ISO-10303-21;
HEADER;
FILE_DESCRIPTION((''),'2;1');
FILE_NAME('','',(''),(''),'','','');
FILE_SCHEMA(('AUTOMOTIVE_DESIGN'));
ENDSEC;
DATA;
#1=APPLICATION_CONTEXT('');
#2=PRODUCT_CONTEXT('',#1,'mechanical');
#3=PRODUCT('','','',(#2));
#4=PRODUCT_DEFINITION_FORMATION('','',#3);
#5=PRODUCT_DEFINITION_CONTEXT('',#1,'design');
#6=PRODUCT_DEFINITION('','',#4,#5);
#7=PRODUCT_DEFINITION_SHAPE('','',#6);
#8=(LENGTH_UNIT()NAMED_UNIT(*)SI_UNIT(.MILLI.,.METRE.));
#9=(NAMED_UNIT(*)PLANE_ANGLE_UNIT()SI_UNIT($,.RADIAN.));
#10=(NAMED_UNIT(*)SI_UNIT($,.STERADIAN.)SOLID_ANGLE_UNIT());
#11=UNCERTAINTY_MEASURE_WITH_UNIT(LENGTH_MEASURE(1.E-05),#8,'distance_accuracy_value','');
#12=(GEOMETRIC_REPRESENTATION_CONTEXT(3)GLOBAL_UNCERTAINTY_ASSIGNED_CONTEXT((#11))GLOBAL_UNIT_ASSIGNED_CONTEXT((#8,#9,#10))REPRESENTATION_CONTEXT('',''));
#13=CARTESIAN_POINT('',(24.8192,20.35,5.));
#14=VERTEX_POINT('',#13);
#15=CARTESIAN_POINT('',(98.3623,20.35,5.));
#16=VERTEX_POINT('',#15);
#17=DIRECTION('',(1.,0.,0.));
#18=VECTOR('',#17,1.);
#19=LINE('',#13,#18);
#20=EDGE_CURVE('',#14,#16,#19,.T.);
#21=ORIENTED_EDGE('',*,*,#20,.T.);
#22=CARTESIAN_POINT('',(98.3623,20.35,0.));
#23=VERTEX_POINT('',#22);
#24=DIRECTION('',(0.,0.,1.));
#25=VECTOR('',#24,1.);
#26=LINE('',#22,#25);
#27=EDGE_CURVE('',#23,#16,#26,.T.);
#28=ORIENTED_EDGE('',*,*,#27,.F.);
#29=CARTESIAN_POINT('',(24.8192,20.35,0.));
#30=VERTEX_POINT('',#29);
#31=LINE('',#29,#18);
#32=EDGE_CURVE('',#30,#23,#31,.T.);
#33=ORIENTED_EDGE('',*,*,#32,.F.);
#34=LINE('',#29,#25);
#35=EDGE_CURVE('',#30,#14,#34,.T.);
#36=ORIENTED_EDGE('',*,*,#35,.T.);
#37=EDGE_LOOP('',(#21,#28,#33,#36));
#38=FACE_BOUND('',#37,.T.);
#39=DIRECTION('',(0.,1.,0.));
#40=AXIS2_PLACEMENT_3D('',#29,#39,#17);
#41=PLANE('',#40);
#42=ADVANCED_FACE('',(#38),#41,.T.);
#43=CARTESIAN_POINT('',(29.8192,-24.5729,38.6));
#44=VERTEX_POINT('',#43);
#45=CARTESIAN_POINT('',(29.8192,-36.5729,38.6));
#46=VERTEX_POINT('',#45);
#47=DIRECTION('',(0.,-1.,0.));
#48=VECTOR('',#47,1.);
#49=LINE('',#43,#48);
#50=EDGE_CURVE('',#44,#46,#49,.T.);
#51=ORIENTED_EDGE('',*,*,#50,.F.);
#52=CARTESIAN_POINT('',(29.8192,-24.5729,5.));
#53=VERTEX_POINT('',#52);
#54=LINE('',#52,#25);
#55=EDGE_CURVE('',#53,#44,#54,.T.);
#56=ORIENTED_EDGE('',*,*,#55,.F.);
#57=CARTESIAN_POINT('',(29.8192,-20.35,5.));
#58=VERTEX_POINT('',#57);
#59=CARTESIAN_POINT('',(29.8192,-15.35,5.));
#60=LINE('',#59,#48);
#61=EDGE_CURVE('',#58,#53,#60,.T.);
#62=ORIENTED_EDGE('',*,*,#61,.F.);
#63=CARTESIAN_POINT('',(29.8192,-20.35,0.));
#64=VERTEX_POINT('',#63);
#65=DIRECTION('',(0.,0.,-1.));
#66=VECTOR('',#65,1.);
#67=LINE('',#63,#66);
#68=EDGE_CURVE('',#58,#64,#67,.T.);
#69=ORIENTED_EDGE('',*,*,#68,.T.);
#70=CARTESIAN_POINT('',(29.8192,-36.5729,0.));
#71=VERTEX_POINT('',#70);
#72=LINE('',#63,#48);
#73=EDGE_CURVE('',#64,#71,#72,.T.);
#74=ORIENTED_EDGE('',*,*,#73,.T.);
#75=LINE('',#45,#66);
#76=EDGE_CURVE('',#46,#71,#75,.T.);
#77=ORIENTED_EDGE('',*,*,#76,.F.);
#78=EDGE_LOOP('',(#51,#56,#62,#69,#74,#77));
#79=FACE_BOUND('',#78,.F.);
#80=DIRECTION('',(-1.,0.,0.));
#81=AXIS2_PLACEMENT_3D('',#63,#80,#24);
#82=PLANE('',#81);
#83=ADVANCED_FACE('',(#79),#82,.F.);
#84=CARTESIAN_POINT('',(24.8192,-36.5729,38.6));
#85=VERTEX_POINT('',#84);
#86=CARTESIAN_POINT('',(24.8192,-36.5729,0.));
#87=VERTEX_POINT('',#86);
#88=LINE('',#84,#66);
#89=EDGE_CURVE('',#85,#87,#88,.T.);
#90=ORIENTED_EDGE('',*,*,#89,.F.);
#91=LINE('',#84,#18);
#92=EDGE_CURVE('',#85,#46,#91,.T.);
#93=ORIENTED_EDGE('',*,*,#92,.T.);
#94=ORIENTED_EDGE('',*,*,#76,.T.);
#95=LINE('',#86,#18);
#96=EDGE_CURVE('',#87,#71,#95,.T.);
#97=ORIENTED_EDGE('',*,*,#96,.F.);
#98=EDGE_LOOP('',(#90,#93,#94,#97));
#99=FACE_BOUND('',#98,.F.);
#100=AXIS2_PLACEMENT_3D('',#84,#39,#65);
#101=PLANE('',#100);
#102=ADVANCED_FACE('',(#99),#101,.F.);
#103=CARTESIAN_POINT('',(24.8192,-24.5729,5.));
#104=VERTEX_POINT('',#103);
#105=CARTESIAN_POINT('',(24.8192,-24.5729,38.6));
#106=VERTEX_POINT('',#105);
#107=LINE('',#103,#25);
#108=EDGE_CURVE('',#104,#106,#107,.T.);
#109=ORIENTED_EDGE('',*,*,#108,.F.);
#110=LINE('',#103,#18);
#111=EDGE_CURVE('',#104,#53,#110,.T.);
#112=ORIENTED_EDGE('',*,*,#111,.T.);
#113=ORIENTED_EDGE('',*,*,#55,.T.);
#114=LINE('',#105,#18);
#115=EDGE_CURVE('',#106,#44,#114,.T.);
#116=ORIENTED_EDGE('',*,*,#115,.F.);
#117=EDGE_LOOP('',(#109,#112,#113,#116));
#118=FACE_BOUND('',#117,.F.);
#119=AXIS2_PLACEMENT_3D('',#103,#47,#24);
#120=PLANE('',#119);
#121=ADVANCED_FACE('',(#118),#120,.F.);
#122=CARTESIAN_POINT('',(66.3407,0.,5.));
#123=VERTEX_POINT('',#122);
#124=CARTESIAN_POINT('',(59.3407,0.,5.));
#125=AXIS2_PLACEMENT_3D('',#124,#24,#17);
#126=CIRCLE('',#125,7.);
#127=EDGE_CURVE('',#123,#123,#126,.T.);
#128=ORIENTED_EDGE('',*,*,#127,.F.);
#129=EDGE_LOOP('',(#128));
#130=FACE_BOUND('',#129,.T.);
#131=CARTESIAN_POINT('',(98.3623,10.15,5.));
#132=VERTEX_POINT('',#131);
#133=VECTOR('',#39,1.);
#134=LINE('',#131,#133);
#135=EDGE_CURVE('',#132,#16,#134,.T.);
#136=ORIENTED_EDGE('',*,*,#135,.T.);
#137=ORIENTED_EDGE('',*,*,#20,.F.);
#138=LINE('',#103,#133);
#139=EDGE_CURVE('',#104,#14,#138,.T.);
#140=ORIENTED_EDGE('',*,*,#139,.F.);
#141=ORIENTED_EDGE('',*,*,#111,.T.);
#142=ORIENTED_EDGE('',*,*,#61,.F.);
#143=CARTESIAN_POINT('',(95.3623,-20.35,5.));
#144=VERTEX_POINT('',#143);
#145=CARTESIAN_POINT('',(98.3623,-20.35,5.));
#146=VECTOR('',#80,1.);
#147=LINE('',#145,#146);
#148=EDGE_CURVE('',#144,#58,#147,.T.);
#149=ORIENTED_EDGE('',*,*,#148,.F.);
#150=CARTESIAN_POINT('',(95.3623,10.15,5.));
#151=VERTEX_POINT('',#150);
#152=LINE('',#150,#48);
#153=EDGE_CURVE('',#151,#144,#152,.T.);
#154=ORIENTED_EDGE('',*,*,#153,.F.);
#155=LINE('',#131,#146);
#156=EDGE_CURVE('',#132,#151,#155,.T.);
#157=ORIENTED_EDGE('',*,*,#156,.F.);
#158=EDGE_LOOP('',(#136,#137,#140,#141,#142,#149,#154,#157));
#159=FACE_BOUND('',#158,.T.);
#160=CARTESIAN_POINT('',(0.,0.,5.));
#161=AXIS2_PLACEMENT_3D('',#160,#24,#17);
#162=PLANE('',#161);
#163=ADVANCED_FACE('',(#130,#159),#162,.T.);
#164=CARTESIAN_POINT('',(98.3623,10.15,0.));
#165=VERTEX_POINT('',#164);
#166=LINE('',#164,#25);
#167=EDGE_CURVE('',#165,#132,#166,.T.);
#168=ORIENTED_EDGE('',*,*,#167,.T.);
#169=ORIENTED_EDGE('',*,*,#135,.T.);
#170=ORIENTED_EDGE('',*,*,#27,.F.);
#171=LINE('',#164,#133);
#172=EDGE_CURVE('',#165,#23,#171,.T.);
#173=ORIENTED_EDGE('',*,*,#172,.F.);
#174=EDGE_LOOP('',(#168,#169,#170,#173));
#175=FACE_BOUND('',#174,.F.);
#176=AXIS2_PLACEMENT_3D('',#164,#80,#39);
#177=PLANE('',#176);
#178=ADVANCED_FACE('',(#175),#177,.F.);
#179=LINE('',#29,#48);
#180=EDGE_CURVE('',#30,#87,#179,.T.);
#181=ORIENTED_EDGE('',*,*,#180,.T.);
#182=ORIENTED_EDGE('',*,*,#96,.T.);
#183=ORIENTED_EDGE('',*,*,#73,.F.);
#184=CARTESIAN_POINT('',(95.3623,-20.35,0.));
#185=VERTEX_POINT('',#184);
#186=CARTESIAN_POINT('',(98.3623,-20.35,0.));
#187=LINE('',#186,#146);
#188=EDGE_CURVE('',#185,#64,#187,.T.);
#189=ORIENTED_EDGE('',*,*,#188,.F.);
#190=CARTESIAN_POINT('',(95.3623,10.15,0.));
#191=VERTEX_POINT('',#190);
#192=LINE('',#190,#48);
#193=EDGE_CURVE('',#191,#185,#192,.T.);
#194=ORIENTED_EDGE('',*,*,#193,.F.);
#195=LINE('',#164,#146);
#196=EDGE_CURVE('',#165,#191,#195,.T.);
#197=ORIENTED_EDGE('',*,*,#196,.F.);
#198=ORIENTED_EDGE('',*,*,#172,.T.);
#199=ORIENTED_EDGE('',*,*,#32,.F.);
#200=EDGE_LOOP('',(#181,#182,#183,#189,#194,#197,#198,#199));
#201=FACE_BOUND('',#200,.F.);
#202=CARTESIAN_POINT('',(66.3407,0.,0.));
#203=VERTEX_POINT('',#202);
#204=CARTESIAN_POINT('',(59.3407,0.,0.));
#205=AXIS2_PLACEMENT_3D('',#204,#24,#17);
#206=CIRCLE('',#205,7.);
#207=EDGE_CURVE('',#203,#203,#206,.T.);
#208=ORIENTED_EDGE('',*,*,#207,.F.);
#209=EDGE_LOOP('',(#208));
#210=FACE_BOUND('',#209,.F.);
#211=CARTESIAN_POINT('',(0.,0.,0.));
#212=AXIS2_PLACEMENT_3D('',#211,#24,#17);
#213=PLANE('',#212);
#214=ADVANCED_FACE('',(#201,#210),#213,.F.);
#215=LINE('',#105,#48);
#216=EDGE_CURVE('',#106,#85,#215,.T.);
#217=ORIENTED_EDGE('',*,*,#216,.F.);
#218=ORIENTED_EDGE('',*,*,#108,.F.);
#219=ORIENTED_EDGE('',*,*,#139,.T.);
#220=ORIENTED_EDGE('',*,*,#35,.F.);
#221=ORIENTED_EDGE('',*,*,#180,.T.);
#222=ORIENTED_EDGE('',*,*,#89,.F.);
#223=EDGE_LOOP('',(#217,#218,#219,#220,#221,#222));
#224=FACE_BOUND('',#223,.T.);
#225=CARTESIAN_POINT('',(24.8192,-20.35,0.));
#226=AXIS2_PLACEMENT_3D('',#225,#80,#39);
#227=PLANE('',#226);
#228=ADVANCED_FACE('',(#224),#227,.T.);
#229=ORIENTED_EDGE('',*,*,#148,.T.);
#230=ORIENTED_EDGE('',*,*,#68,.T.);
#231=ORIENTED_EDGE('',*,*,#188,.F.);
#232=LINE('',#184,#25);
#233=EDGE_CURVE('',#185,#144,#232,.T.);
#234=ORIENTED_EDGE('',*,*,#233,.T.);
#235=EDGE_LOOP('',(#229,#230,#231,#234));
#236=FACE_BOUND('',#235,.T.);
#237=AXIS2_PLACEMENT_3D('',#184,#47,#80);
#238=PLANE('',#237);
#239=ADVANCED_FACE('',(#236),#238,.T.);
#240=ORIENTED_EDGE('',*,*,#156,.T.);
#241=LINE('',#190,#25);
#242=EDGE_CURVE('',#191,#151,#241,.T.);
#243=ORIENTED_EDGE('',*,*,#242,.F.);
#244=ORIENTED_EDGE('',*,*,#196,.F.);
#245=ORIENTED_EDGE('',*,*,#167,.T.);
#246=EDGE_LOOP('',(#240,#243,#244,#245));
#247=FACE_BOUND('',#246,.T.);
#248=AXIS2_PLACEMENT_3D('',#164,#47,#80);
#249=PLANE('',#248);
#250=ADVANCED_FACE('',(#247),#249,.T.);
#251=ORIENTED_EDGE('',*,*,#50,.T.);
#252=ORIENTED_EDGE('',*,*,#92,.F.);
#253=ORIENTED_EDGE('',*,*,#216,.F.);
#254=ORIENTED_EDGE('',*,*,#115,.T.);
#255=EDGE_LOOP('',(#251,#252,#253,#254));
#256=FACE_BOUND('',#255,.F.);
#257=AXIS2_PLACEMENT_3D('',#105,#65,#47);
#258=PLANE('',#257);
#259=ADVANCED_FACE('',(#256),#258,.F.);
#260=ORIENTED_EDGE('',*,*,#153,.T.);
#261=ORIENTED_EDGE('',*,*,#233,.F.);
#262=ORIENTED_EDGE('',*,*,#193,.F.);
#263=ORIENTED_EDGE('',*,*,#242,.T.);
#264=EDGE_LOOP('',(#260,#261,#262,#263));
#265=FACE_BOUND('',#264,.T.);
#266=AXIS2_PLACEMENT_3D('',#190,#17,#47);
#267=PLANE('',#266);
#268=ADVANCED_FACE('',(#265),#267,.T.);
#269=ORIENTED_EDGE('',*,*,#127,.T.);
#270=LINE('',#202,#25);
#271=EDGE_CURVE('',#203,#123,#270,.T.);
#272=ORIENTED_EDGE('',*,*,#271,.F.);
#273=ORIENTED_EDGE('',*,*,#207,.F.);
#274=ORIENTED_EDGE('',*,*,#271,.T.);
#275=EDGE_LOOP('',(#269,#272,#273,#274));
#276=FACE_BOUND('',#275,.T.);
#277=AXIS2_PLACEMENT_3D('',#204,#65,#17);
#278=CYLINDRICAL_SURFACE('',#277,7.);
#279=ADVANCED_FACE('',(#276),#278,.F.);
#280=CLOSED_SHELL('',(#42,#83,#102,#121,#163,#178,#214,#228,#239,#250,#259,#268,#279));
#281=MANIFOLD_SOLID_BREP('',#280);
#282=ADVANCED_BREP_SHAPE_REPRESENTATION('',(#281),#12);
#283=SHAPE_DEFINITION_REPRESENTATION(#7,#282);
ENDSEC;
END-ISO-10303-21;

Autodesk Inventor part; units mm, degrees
ref_plane "YZ Plane" through (0, 0, 0) normal (1, 0, 0) x (0, 1, 0)
ref_plane "XZ Plane" through (0, 0, 0) normal (0, 1, 0) x (-1, 0, 0)
ref_plane "XY Plane" through (0, 0, 0) normal (0, 0, 1) x (1, 0, 0)
ref_plane "Work Plane1" through (0, 0, 0) normal (0, 0, 1) x (1, 0, 0)
sketch "Sketch1" plane through (0, 0, 0) normal (0, 0, 1) x (1, 0, 0)
  circle A0 centre (103.8623, 15.35) radius 2.15 construction
  circle A1 centre (103.8623, -15.35) radius 2.15 construction
  line L0 (-103.8623, 20.35) -> (-103.8623, -20.35) construction
  line L1 (108.8623, -20.35) -> (-103.8623, -20.35) construction
  line L2 (108.8623, 20.35) -> (108.8623, -20.35) construction
  line L3 (-103.8623, 20.35) -> (108.8623, 20.35) construction
  circle A2 centre (59.3407, 0) radius 6.5 construction
  circle A3 centre (59.3407, 0) radius 7
  circle A4 centre (59.3407, 0) radius 24.5216 construction
  line L4 (34.8192, 0) -> (24.8192, 0) construction
  line L5 (24.8192, -20.35) -> (24.8192, 20.35)
  line L6 (24.8192, 20.35) -> (98.3623, 20.35)
  line L7 (98.8623, -20.35) -> (98.8623, 20.35) construction
  line L8 (98.3623, -20.35) -> (24.8192, -20.35)
  line L9 (95.8623, -23.35) -> (95.8623, 9.65) projected
  line L10 (95.3623, -20.35) -> (24.8192, -20.35)
  line L11 (98.8623, 9.65) -> (95.8623, 9.65) projected
  line L12 (98.8623, 20.35) -> (98.8623, -20.35) projected
  line L13 (98.3623, 10.15) -> (95.3623, 10.15)
  line L14 (95.3623, 10.15) -> (95.3623, -23.3504)
  line L15 (98.3623, 10.15) -> (98.3623, 20.35)
  point P0 (0, 0)
  point P1 (95.3623, -20.35)
  dimension "d0" = 0.5
  dimension "d1" = 10
  dimension "d15" = 0.5
  dimension "d16" = 0.5
  dimension "d17" = 0.5
extrude "Extrusion1" add sketch "Sketch1" along normal blind 5
sketch "Sketch2" plane through (24.8192, -20.35, 0) normal (-1, 0, 0) x (0, 0, 1)
  line L0 (80.8, 35.7) -> (75.8, 35.7) construction
  line L1 (80.8, 45.7) -> (80.8, 35.7) construction
  line L2 (51.1, 45.7) -> (80.8, 45.7) construction
  line L3 (51.1, -4.2229) -> (51.1, 45.7) construction
  line L4 (26.6, -4.2229) -> (51.1, -4.2229) construction
  line L5 (26.6, -16.2229) -> (26.6, -4.2229) construction
  line L6 (65.2, -16.2229) -> (26.6, -16.2229) construction
  line L7 (65.2, 40.7) -> (65.2, -16.2229) construction
  line L8 (75.8, 40.7) -> (65.2, 40.7) construction
  line L9 (75.8, 35.7) -> (75.8, 40.7) construction
  line L10 (38.6, -16.2229) -> (0, -16.2229)
  line L11 (0, -16.2229) -> (0, -4.2229)
  line L12 (5, -4.2229) -> (38.6, -4.2229)
  line L13 (38.6, -4.2229) -> (38.6, -16.2229)
  line L14 (38.6, -10.2229) -> (26.6, -10.2229) construction
  line L15 (0, 40.7) -> (0, 0) construction
  line L16 (0, 0) -> (5, 0) construction
  line L17 (5, 40.7) -> (5, 0) construction
  line L18 (0, 40.7) -> (5, 40.7) construction
  line L19 (5, 5) -> (0, 5)
  line L20 (0, -4.2229) -> (0, 5)
  line L21 (5, 5) -> (5, -4.2229)
  point P0 (0, 20.35)
  dimension "d11" = 5
extrude "Extrusion2" add sketch "Sketch2" against normal blind 5
equation "\"d15\" = d0"
equation "\"d16\" = d0"
equation "\"d17\" = d0"
equation "\"d9\" = d2"
equation "\"d11\" = d2"
equation "\"d12\" = d2"
equation "\"d2\" = 5"
properties part number "Button Bracket 2"
